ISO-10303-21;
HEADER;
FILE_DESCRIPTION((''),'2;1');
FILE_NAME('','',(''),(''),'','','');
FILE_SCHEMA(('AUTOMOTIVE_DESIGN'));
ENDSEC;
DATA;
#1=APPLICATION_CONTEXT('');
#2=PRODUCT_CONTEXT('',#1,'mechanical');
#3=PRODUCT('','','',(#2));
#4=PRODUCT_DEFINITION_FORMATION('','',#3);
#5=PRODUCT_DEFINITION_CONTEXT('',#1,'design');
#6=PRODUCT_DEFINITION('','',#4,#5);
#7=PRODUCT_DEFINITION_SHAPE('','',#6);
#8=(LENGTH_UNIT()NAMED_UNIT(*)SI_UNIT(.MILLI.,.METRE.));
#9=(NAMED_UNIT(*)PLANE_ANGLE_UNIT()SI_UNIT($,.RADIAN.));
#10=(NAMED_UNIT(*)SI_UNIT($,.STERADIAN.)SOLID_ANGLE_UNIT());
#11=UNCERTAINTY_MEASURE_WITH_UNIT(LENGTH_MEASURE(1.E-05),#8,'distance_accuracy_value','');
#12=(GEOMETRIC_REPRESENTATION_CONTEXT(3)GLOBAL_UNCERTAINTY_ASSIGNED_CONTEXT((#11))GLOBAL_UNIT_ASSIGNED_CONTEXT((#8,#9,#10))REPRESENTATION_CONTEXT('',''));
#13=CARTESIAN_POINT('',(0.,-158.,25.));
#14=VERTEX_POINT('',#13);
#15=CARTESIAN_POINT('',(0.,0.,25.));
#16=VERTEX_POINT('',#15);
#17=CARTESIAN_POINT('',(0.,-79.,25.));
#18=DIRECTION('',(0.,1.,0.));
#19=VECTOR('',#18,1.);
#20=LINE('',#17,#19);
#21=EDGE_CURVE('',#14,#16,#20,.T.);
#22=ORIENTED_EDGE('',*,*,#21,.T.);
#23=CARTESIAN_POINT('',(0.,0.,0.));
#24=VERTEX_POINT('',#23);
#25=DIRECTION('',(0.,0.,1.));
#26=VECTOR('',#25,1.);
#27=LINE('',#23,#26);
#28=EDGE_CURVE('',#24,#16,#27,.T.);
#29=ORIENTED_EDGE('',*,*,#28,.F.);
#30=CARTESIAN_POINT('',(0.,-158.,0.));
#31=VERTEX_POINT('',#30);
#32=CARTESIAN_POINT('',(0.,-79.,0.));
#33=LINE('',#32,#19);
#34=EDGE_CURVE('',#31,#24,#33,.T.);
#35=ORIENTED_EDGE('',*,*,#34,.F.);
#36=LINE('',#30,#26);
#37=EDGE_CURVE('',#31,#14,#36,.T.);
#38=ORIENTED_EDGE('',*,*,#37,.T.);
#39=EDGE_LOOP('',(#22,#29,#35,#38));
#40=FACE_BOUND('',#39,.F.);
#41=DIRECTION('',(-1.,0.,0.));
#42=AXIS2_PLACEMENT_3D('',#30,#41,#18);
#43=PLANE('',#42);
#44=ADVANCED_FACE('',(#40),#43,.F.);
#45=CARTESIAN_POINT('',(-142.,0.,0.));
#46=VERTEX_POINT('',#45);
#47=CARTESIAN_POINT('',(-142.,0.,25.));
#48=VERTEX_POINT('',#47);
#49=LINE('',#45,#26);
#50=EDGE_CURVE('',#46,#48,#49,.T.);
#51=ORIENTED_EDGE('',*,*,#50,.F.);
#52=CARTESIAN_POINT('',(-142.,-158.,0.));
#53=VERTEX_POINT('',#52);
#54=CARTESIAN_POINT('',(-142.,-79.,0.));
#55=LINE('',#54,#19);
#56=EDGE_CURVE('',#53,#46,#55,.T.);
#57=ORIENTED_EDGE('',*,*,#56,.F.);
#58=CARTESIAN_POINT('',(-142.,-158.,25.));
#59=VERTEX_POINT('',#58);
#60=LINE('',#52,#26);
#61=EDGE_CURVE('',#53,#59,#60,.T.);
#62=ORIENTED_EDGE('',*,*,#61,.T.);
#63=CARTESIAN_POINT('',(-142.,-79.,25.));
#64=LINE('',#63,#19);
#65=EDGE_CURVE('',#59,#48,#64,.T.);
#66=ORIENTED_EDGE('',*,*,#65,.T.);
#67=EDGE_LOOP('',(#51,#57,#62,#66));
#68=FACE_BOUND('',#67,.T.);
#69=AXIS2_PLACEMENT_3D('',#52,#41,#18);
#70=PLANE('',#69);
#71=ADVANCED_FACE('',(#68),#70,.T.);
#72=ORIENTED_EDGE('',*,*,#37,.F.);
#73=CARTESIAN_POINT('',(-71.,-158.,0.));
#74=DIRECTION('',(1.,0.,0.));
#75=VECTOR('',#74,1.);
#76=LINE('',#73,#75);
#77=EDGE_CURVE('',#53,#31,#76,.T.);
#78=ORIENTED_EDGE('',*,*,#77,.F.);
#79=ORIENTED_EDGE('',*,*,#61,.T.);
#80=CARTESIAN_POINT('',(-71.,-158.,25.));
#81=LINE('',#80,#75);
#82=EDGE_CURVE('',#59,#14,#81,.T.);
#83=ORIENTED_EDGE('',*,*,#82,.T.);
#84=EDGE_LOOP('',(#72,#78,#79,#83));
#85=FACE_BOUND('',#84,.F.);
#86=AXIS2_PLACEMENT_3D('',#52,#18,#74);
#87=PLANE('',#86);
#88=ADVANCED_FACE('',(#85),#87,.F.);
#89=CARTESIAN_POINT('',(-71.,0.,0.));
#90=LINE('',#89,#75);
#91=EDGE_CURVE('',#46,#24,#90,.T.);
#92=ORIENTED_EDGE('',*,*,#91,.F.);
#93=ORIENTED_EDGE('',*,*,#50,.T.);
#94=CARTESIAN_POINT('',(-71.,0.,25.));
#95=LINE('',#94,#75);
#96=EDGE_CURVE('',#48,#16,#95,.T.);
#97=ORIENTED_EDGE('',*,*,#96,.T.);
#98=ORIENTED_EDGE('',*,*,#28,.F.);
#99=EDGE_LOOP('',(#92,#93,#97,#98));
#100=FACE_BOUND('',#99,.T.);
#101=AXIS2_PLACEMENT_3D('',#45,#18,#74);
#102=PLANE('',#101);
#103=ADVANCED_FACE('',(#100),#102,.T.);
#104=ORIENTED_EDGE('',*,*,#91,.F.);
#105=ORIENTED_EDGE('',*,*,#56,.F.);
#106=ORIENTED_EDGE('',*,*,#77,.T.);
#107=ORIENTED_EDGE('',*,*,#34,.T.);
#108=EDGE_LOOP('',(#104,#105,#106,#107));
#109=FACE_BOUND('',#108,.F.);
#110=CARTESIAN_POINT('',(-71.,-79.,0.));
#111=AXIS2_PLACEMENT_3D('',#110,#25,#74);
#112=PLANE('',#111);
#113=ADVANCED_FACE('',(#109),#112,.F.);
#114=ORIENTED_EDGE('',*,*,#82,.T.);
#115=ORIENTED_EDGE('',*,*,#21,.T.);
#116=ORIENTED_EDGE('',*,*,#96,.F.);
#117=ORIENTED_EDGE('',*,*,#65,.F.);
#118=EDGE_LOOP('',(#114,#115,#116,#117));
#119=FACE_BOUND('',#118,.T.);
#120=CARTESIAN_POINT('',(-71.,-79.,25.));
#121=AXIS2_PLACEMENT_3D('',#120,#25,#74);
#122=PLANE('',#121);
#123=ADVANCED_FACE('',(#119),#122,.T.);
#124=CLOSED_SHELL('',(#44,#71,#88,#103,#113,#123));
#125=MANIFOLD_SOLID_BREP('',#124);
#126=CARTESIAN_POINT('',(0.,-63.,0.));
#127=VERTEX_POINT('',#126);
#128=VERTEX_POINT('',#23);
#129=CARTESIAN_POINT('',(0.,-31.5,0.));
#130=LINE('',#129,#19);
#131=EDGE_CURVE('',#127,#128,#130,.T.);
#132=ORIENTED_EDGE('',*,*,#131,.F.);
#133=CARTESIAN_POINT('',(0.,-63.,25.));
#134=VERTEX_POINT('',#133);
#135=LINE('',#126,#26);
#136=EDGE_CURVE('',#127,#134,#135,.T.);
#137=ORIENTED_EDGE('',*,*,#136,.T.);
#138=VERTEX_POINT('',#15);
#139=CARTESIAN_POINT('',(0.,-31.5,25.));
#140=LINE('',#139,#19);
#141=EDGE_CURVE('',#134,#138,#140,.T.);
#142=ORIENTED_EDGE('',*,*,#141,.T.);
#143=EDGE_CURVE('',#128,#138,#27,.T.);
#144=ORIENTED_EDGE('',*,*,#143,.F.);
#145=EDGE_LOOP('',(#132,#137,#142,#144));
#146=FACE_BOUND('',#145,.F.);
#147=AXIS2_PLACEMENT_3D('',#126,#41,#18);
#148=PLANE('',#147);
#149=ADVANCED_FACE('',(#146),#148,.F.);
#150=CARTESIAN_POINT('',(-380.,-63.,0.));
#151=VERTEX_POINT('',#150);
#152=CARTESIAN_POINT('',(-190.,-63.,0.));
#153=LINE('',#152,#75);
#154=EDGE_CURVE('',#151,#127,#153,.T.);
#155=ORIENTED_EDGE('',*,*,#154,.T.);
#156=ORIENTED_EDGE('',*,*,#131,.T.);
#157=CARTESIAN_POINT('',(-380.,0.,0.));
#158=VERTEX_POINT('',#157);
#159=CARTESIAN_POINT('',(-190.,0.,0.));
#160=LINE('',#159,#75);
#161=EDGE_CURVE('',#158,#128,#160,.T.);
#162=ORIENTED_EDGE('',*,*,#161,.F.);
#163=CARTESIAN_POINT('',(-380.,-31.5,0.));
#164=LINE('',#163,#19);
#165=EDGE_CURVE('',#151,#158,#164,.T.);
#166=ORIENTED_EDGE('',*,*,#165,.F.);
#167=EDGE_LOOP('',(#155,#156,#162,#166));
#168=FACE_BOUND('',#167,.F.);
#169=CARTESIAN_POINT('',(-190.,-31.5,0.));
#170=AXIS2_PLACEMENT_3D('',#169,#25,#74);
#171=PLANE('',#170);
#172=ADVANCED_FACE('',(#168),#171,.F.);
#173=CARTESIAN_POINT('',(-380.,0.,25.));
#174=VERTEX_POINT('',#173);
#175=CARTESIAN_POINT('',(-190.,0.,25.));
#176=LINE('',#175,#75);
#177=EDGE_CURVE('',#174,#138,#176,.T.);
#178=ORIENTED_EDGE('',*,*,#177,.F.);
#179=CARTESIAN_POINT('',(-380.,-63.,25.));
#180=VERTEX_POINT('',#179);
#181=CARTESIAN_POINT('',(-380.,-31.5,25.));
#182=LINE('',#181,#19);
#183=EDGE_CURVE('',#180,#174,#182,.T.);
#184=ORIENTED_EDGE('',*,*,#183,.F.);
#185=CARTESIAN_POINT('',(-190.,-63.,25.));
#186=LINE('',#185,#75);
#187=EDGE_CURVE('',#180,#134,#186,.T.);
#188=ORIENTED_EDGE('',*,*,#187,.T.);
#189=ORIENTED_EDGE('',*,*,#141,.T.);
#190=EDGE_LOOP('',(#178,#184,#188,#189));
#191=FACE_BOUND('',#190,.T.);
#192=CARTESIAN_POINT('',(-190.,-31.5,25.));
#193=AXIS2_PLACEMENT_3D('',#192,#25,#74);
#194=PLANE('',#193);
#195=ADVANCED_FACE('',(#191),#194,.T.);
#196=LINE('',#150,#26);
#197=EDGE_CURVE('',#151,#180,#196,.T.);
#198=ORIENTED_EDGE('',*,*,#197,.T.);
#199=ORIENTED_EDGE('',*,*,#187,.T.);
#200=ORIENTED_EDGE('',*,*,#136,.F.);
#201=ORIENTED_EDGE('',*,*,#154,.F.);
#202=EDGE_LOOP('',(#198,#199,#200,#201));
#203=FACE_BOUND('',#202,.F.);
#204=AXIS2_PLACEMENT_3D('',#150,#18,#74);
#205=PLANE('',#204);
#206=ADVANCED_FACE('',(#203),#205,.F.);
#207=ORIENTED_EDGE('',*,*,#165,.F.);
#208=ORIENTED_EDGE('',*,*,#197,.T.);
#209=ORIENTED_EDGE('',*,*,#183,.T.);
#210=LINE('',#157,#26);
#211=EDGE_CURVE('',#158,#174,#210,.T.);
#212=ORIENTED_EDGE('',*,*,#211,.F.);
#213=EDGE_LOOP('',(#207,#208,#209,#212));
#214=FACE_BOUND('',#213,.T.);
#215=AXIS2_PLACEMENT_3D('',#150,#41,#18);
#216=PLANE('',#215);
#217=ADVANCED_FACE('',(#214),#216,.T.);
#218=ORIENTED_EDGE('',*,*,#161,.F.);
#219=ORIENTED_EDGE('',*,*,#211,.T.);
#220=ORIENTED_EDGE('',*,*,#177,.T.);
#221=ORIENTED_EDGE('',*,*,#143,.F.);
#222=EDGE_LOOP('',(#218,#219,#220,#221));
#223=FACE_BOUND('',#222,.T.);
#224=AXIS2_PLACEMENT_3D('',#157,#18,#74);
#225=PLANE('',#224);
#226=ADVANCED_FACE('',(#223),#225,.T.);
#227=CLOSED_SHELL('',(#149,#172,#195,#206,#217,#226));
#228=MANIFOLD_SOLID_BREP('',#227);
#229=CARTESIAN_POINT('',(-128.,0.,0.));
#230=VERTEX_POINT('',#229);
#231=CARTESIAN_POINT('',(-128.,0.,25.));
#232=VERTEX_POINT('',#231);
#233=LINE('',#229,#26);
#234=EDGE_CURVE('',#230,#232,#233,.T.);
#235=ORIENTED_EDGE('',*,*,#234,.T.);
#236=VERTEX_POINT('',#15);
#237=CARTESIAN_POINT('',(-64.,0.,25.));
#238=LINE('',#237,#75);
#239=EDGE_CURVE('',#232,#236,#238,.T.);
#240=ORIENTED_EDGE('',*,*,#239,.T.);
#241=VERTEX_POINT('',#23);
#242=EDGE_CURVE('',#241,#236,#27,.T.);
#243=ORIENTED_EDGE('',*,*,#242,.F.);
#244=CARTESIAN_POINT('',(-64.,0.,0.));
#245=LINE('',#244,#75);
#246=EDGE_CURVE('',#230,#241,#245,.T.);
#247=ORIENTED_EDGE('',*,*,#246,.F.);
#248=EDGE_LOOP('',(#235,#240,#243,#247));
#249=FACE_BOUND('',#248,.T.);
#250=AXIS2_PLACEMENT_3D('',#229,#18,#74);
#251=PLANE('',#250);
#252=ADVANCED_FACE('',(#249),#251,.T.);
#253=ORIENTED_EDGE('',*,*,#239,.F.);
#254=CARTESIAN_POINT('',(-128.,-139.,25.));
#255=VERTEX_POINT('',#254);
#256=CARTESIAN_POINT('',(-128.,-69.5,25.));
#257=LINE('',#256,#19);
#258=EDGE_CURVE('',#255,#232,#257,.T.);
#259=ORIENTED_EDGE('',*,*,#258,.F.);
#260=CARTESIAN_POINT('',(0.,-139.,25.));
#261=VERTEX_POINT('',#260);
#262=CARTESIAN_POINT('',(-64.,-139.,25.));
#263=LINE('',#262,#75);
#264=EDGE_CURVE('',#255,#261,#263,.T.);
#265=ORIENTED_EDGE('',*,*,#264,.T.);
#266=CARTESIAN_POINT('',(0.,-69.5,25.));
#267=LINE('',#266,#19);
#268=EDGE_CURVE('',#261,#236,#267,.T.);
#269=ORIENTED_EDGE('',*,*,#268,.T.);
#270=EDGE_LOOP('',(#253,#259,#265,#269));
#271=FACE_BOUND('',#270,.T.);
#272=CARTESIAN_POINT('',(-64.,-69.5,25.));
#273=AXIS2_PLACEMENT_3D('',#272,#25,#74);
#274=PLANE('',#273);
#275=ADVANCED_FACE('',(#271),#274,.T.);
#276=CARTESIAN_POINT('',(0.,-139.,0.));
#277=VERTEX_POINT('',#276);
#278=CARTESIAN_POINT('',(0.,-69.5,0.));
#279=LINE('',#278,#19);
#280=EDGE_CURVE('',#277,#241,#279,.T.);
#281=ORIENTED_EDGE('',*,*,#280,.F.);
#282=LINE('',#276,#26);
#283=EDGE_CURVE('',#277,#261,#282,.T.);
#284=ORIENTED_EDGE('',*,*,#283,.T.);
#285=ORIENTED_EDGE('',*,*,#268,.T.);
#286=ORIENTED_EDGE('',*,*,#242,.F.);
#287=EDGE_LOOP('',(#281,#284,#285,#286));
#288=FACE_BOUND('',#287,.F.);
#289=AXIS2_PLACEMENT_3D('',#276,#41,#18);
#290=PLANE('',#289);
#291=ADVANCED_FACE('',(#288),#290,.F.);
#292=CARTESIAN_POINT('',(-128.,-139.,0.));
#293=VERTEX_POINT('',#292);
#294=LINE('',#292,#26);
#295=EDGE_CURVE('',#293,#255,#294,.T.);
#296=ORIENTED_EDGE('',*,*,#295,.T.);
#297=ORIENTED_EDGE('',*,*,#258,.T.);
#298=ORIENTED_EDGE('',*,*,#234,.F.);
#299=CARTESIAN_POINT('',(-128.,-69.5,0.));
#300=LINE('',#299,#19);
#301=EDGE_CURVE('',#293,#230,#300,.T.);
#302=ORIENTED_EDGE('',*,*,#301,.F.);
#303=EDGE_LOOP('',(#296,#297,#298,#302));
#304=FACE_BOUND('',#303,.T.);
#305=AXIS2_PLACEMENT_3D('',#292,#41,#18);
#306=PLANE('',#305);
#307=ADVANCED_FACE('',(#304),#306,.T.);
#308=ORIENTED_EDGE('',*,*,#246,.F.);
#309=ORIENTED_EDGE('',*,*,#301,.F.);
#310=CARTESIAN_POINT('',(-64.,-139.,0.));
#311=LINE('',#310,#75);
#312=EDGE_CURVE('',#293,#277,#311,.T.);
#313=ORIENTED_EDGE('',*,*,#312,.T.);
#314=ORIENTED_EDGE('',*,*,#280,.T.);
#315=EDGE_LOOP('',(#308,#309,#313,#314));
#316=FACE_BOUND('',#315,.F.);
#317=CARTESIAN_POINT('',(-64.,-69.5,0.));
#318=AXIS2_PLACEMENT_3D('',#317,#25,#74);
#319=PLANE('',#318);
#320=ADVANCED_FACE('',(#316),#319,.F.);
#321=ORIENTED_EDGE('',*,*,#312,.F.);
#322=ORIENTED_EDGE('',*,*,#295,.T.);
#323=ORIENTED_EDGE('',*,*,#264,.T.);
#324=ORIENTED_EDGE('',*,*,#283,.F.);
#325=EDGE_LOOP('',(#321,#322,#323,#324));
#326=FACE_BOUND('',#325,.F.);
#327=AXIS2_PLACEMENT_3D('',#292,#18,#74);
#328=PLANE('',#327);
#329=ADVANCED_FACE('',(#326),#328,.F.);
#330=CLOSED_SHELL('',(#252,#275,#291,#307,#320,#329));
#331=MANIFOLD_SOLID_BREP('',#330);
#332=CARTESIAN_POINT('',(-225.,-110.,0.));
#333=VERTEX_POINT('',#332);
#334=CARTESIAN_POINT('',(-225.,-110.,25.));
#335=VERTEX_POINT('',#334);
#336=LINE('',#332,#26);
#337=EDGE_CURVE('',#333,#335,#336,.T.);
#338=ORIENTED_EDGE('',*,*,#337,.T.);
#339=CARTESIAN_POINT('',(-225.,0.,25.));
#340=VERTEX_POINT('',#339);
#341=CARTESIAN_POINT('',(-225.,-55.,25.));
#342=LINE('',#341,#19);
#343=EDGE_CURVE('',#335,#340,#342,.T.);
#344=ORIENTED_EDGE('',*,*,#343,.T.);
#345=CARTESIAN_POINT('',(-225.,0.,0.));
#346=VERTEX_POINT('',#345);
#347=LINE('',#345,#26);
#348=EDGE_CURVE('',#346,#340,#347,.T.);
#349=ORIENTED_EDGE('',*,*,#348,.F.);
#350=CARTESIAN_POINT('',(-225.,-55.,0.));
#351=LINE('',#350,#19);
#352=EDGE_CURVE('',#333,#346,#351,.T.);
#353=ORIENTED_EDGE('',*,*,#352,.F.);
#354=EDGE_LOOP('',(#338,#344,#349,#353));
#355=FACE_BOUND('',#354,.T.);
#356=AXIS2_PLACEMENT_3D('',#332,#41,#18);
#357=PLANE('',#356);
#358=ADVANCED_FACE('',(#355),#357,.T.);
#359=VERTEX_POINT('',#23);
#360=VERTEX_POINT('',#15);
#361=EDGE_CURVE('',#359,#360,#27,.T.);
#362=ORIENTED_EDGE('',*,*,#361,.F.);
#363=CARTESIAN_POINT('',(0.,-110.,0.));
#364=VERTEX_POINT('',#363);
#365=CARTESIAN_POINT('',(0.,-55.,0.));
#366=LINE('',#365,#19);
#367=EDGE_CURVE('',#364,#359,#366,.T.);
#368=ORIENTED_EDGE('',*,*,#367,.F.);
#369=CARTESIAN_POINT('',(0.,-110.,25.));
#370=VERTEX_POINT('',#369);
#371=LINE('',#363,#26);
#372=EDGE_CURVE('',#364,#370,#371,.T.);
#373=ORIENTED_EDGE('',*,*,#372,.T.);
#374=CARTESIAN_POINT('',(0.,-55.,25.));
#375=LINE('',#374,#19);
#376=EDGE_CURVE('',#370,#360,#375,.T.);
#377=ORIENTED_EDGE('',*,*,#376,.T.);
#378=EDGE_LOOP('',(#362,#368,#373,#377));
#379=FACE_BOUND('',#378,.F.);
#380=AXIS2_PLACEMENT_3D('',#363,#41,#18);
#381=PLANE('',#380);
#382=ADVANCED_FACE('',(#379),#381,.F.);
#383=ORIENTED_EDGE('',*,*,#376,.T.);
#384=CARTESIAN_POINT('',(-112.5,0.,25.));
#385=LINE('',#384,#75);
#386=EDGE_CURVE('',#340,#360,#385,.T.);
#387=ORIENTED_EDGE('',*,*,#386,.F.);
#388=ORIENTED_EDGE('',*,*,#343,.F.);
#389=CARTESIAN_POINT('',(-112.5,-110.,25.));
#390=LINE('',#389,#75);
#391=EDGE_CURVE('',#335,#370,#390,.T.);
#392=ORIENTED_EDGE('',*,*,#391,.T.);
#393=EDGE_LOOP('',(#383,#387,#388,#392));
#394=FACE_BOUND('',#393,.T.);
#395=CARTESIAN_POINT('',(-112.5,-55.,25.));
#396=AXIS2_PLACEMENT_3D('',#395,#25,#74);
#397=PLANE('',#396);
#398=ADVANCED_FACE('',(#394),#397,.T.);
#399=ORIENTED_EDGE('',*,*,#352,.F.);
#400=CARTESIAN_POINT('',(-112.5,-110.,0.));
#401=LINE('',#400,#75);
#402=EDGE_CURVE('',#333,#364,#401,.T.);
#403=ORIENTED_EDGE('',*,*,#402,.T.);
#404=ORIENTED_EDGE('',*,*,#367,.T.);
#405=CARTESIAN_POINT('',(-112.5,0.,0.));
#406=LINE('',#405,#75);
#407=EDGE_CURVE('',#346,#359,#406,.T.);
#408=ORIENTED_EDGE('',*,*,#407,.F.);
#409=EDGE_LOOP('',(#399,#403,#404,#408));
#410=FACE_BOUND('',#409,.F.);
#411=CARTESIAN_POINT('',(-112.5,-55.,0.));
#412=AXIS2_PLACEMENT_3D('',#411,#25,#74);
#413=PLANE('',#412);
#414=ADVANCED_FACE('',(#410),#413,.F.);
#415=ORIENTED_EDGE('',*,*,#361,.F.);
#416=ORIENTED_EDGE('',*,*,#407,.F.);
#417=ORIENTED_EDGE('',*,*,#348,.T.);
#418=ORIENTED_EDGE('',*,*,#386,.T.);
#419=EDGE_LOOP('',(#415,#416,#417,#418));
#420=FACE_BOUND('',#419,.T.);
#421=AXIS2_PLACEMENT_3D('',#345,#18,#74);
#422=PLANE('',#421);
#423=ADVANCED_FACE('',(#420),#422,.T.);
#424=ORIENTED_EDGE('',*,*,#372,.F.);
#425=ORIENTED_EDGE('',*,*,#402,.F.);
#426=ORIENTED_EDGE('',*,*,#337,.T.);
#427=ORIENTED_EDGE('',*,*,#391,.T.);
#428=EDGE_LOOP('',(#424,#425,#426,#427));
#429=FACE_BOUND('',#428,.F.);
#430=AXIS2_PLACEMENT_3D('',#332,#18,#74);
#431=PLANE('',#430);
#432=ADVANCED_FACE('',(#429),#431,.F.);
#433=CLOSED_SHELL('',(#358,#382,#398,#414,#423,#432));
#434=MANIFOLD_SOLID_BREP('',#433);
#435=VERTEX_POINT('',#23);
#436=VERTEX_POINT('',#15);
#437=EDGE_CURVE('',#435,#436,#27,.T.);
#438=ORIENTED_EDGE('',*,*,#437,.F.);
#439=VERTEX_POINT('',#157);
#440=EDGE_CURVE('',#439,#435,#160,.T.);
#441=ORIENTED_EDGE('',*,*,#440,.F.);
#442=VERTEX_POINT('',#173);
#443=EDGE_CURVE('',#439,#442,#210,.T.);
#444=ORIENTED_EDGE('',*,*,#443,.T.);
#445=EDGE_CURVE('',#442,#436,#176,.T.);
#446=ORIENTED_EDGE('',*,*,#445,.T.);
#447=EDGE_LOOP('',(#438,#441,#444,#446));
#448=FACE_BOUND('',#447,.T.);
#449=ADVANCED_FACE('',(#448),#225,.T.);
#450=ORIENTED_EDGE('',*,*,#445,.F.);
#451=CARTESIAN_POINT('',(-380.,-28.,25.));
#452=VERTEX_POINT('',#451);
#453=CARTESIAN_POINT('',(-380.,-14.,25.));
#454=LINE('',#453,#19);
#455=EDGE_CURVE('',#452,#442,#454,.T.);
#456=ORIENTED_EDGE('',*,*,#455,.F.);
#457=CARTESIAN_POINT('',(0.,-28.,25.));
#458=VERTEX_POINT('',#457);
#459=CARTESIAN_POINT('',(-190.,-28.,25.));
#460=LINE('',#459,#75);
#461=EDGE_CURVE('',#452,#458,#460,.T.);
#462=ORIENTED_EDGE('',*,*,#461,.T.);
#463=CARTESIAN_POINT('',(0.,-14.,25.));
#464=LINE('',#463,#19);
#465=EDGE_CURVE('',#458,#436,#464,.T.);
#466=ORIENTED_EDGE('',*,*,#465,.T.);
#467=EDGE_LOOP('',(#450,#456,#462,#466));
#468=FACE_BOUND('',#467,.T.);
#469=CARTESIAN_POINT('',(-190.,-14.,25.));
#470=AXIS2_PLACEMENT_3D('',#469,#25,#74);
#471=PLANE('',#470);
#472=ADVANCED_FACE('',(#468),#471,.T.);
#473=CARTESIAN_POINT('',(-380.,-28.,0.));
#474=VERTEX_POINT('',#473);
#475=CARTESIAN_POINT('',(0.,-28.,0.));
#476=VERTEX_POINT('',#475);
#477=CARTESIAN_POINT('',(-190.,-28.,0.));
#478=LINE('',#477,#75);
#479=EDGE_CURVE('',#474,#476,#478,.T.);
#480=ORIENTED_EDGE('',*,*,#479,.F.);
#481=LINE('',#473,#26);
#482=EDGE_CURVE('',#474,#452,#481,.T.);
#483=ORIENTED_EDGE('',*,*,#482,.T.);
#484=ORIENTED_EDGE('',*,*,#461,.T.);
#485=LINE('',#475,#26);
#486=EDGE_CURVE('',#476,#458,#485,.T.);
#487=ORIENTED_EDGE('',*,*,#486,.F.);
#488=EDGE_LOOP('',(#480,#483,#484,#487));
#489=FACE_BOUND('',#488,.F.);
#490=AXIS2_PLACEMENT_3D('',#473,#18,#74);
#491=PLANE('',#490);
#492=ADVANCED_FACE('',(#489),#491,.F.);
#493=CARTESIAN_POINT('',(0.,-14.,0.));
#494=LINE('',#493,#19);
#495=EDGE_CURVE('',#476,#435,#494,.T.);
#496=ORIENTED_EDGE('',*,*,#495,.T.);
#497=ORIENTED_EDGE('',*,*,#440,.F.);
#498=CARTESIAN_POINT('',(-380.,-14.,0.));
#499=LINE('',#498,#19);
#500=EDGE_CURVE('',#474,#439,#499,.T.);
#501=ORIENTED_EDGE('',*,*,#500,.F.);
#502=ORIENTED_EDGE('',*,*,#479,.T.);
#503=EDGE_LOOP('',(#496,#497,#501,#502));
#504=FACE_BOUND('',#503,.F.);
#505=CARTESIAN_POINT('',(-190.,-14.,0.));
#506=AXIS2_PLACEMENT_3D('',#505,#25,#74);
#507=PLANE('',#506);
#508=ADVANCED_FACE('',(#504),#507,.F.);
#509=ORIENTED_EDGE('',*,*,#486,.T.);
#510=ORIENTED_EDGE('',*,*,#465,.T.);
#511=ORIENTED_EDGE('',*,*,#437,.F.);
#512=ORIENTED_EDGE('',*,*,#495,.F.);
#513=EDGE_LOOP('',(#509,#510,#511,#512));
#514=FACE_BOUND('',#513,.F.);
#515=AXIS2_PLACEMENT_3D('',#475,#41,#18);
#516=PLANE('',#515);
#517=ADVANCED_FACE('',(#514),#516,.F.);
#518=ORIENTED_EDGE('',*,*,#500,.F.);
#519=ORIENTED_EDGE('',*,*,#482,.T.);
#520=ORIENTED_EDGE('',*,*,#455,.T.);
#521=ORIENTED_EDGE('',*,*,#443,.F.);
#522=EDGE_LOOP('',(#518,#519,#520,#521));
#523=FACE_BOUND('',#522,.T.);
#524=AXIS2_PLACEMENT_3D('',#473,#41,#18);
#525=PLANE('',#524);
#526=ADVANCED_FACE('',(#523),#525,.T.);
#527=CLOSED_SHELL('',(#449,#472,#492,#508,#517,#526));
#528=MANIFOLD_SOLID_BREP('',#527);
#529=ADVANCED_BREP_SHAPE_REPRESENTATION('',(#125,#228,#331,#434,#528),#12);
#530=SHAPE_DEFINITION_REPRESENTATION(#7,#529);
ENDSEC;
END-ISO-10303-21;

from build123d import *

# Parameters (mm, degrees)
F0_W     = 225
F0_H     = 110
F1_DEPTH = 25
F2_W     = 142
F2_H     = 158
F3_DEPTH = 25
F4_W     = 128
F4_H     = 139
F5_DEPTH = 25
F6_W     = 380
F6_H     = 63
F7_DEPTH = 25
F8_W     = 380
F8_H     = 28
F9_DEPTH = 25


with BuildPart() as f1:
    # F0 (on Top) → F1 (new body)
    with BuildSketch(Plane.XY):
        with Locations((-112.5, -55)):
            Rectangle(F0_W, F0_H)
    extrude(amount=F1_DEPTH)


with BuildPart() as f3:
    # F2 (on Top) → F3 (new body)
    with BuildSketch(Plane.XY):
        with Locations((-71, -79)):
            Rectangle(F2_W, F2_H)
    extrude(amount=F3_DEPTH)


with BuildPart() as f5:
    # F4 (on Top) → F5 (new body)
    with BuildSketch(Plane.XY):
        with Locations((-64, -69.5)):
            Rectangle(F4_W, F4_H)
    extrude(amount=F5_DEPTH)


with BuildPart() as f7:
    # F6 (on Top) → F7 (new body)
    with BuildSketch(Plane.XY):
        with Locations((-190, -31.5)):
            Rectangle(F6_W, F6_H)
    extrude(amount=F7_DEPTH)


with BuildPart() as f9:
    # F8 (on Top) → F9 (new body)
    with BuildSketch(Plane.XY):
        with Locations((-190, -14)):
            Rectangle(F8_W, F8_H)
    extrude(amount=F9_DEPTH)


solid = Compound([f1.part, f3.part, f5.part, f7.part, f9.part])
